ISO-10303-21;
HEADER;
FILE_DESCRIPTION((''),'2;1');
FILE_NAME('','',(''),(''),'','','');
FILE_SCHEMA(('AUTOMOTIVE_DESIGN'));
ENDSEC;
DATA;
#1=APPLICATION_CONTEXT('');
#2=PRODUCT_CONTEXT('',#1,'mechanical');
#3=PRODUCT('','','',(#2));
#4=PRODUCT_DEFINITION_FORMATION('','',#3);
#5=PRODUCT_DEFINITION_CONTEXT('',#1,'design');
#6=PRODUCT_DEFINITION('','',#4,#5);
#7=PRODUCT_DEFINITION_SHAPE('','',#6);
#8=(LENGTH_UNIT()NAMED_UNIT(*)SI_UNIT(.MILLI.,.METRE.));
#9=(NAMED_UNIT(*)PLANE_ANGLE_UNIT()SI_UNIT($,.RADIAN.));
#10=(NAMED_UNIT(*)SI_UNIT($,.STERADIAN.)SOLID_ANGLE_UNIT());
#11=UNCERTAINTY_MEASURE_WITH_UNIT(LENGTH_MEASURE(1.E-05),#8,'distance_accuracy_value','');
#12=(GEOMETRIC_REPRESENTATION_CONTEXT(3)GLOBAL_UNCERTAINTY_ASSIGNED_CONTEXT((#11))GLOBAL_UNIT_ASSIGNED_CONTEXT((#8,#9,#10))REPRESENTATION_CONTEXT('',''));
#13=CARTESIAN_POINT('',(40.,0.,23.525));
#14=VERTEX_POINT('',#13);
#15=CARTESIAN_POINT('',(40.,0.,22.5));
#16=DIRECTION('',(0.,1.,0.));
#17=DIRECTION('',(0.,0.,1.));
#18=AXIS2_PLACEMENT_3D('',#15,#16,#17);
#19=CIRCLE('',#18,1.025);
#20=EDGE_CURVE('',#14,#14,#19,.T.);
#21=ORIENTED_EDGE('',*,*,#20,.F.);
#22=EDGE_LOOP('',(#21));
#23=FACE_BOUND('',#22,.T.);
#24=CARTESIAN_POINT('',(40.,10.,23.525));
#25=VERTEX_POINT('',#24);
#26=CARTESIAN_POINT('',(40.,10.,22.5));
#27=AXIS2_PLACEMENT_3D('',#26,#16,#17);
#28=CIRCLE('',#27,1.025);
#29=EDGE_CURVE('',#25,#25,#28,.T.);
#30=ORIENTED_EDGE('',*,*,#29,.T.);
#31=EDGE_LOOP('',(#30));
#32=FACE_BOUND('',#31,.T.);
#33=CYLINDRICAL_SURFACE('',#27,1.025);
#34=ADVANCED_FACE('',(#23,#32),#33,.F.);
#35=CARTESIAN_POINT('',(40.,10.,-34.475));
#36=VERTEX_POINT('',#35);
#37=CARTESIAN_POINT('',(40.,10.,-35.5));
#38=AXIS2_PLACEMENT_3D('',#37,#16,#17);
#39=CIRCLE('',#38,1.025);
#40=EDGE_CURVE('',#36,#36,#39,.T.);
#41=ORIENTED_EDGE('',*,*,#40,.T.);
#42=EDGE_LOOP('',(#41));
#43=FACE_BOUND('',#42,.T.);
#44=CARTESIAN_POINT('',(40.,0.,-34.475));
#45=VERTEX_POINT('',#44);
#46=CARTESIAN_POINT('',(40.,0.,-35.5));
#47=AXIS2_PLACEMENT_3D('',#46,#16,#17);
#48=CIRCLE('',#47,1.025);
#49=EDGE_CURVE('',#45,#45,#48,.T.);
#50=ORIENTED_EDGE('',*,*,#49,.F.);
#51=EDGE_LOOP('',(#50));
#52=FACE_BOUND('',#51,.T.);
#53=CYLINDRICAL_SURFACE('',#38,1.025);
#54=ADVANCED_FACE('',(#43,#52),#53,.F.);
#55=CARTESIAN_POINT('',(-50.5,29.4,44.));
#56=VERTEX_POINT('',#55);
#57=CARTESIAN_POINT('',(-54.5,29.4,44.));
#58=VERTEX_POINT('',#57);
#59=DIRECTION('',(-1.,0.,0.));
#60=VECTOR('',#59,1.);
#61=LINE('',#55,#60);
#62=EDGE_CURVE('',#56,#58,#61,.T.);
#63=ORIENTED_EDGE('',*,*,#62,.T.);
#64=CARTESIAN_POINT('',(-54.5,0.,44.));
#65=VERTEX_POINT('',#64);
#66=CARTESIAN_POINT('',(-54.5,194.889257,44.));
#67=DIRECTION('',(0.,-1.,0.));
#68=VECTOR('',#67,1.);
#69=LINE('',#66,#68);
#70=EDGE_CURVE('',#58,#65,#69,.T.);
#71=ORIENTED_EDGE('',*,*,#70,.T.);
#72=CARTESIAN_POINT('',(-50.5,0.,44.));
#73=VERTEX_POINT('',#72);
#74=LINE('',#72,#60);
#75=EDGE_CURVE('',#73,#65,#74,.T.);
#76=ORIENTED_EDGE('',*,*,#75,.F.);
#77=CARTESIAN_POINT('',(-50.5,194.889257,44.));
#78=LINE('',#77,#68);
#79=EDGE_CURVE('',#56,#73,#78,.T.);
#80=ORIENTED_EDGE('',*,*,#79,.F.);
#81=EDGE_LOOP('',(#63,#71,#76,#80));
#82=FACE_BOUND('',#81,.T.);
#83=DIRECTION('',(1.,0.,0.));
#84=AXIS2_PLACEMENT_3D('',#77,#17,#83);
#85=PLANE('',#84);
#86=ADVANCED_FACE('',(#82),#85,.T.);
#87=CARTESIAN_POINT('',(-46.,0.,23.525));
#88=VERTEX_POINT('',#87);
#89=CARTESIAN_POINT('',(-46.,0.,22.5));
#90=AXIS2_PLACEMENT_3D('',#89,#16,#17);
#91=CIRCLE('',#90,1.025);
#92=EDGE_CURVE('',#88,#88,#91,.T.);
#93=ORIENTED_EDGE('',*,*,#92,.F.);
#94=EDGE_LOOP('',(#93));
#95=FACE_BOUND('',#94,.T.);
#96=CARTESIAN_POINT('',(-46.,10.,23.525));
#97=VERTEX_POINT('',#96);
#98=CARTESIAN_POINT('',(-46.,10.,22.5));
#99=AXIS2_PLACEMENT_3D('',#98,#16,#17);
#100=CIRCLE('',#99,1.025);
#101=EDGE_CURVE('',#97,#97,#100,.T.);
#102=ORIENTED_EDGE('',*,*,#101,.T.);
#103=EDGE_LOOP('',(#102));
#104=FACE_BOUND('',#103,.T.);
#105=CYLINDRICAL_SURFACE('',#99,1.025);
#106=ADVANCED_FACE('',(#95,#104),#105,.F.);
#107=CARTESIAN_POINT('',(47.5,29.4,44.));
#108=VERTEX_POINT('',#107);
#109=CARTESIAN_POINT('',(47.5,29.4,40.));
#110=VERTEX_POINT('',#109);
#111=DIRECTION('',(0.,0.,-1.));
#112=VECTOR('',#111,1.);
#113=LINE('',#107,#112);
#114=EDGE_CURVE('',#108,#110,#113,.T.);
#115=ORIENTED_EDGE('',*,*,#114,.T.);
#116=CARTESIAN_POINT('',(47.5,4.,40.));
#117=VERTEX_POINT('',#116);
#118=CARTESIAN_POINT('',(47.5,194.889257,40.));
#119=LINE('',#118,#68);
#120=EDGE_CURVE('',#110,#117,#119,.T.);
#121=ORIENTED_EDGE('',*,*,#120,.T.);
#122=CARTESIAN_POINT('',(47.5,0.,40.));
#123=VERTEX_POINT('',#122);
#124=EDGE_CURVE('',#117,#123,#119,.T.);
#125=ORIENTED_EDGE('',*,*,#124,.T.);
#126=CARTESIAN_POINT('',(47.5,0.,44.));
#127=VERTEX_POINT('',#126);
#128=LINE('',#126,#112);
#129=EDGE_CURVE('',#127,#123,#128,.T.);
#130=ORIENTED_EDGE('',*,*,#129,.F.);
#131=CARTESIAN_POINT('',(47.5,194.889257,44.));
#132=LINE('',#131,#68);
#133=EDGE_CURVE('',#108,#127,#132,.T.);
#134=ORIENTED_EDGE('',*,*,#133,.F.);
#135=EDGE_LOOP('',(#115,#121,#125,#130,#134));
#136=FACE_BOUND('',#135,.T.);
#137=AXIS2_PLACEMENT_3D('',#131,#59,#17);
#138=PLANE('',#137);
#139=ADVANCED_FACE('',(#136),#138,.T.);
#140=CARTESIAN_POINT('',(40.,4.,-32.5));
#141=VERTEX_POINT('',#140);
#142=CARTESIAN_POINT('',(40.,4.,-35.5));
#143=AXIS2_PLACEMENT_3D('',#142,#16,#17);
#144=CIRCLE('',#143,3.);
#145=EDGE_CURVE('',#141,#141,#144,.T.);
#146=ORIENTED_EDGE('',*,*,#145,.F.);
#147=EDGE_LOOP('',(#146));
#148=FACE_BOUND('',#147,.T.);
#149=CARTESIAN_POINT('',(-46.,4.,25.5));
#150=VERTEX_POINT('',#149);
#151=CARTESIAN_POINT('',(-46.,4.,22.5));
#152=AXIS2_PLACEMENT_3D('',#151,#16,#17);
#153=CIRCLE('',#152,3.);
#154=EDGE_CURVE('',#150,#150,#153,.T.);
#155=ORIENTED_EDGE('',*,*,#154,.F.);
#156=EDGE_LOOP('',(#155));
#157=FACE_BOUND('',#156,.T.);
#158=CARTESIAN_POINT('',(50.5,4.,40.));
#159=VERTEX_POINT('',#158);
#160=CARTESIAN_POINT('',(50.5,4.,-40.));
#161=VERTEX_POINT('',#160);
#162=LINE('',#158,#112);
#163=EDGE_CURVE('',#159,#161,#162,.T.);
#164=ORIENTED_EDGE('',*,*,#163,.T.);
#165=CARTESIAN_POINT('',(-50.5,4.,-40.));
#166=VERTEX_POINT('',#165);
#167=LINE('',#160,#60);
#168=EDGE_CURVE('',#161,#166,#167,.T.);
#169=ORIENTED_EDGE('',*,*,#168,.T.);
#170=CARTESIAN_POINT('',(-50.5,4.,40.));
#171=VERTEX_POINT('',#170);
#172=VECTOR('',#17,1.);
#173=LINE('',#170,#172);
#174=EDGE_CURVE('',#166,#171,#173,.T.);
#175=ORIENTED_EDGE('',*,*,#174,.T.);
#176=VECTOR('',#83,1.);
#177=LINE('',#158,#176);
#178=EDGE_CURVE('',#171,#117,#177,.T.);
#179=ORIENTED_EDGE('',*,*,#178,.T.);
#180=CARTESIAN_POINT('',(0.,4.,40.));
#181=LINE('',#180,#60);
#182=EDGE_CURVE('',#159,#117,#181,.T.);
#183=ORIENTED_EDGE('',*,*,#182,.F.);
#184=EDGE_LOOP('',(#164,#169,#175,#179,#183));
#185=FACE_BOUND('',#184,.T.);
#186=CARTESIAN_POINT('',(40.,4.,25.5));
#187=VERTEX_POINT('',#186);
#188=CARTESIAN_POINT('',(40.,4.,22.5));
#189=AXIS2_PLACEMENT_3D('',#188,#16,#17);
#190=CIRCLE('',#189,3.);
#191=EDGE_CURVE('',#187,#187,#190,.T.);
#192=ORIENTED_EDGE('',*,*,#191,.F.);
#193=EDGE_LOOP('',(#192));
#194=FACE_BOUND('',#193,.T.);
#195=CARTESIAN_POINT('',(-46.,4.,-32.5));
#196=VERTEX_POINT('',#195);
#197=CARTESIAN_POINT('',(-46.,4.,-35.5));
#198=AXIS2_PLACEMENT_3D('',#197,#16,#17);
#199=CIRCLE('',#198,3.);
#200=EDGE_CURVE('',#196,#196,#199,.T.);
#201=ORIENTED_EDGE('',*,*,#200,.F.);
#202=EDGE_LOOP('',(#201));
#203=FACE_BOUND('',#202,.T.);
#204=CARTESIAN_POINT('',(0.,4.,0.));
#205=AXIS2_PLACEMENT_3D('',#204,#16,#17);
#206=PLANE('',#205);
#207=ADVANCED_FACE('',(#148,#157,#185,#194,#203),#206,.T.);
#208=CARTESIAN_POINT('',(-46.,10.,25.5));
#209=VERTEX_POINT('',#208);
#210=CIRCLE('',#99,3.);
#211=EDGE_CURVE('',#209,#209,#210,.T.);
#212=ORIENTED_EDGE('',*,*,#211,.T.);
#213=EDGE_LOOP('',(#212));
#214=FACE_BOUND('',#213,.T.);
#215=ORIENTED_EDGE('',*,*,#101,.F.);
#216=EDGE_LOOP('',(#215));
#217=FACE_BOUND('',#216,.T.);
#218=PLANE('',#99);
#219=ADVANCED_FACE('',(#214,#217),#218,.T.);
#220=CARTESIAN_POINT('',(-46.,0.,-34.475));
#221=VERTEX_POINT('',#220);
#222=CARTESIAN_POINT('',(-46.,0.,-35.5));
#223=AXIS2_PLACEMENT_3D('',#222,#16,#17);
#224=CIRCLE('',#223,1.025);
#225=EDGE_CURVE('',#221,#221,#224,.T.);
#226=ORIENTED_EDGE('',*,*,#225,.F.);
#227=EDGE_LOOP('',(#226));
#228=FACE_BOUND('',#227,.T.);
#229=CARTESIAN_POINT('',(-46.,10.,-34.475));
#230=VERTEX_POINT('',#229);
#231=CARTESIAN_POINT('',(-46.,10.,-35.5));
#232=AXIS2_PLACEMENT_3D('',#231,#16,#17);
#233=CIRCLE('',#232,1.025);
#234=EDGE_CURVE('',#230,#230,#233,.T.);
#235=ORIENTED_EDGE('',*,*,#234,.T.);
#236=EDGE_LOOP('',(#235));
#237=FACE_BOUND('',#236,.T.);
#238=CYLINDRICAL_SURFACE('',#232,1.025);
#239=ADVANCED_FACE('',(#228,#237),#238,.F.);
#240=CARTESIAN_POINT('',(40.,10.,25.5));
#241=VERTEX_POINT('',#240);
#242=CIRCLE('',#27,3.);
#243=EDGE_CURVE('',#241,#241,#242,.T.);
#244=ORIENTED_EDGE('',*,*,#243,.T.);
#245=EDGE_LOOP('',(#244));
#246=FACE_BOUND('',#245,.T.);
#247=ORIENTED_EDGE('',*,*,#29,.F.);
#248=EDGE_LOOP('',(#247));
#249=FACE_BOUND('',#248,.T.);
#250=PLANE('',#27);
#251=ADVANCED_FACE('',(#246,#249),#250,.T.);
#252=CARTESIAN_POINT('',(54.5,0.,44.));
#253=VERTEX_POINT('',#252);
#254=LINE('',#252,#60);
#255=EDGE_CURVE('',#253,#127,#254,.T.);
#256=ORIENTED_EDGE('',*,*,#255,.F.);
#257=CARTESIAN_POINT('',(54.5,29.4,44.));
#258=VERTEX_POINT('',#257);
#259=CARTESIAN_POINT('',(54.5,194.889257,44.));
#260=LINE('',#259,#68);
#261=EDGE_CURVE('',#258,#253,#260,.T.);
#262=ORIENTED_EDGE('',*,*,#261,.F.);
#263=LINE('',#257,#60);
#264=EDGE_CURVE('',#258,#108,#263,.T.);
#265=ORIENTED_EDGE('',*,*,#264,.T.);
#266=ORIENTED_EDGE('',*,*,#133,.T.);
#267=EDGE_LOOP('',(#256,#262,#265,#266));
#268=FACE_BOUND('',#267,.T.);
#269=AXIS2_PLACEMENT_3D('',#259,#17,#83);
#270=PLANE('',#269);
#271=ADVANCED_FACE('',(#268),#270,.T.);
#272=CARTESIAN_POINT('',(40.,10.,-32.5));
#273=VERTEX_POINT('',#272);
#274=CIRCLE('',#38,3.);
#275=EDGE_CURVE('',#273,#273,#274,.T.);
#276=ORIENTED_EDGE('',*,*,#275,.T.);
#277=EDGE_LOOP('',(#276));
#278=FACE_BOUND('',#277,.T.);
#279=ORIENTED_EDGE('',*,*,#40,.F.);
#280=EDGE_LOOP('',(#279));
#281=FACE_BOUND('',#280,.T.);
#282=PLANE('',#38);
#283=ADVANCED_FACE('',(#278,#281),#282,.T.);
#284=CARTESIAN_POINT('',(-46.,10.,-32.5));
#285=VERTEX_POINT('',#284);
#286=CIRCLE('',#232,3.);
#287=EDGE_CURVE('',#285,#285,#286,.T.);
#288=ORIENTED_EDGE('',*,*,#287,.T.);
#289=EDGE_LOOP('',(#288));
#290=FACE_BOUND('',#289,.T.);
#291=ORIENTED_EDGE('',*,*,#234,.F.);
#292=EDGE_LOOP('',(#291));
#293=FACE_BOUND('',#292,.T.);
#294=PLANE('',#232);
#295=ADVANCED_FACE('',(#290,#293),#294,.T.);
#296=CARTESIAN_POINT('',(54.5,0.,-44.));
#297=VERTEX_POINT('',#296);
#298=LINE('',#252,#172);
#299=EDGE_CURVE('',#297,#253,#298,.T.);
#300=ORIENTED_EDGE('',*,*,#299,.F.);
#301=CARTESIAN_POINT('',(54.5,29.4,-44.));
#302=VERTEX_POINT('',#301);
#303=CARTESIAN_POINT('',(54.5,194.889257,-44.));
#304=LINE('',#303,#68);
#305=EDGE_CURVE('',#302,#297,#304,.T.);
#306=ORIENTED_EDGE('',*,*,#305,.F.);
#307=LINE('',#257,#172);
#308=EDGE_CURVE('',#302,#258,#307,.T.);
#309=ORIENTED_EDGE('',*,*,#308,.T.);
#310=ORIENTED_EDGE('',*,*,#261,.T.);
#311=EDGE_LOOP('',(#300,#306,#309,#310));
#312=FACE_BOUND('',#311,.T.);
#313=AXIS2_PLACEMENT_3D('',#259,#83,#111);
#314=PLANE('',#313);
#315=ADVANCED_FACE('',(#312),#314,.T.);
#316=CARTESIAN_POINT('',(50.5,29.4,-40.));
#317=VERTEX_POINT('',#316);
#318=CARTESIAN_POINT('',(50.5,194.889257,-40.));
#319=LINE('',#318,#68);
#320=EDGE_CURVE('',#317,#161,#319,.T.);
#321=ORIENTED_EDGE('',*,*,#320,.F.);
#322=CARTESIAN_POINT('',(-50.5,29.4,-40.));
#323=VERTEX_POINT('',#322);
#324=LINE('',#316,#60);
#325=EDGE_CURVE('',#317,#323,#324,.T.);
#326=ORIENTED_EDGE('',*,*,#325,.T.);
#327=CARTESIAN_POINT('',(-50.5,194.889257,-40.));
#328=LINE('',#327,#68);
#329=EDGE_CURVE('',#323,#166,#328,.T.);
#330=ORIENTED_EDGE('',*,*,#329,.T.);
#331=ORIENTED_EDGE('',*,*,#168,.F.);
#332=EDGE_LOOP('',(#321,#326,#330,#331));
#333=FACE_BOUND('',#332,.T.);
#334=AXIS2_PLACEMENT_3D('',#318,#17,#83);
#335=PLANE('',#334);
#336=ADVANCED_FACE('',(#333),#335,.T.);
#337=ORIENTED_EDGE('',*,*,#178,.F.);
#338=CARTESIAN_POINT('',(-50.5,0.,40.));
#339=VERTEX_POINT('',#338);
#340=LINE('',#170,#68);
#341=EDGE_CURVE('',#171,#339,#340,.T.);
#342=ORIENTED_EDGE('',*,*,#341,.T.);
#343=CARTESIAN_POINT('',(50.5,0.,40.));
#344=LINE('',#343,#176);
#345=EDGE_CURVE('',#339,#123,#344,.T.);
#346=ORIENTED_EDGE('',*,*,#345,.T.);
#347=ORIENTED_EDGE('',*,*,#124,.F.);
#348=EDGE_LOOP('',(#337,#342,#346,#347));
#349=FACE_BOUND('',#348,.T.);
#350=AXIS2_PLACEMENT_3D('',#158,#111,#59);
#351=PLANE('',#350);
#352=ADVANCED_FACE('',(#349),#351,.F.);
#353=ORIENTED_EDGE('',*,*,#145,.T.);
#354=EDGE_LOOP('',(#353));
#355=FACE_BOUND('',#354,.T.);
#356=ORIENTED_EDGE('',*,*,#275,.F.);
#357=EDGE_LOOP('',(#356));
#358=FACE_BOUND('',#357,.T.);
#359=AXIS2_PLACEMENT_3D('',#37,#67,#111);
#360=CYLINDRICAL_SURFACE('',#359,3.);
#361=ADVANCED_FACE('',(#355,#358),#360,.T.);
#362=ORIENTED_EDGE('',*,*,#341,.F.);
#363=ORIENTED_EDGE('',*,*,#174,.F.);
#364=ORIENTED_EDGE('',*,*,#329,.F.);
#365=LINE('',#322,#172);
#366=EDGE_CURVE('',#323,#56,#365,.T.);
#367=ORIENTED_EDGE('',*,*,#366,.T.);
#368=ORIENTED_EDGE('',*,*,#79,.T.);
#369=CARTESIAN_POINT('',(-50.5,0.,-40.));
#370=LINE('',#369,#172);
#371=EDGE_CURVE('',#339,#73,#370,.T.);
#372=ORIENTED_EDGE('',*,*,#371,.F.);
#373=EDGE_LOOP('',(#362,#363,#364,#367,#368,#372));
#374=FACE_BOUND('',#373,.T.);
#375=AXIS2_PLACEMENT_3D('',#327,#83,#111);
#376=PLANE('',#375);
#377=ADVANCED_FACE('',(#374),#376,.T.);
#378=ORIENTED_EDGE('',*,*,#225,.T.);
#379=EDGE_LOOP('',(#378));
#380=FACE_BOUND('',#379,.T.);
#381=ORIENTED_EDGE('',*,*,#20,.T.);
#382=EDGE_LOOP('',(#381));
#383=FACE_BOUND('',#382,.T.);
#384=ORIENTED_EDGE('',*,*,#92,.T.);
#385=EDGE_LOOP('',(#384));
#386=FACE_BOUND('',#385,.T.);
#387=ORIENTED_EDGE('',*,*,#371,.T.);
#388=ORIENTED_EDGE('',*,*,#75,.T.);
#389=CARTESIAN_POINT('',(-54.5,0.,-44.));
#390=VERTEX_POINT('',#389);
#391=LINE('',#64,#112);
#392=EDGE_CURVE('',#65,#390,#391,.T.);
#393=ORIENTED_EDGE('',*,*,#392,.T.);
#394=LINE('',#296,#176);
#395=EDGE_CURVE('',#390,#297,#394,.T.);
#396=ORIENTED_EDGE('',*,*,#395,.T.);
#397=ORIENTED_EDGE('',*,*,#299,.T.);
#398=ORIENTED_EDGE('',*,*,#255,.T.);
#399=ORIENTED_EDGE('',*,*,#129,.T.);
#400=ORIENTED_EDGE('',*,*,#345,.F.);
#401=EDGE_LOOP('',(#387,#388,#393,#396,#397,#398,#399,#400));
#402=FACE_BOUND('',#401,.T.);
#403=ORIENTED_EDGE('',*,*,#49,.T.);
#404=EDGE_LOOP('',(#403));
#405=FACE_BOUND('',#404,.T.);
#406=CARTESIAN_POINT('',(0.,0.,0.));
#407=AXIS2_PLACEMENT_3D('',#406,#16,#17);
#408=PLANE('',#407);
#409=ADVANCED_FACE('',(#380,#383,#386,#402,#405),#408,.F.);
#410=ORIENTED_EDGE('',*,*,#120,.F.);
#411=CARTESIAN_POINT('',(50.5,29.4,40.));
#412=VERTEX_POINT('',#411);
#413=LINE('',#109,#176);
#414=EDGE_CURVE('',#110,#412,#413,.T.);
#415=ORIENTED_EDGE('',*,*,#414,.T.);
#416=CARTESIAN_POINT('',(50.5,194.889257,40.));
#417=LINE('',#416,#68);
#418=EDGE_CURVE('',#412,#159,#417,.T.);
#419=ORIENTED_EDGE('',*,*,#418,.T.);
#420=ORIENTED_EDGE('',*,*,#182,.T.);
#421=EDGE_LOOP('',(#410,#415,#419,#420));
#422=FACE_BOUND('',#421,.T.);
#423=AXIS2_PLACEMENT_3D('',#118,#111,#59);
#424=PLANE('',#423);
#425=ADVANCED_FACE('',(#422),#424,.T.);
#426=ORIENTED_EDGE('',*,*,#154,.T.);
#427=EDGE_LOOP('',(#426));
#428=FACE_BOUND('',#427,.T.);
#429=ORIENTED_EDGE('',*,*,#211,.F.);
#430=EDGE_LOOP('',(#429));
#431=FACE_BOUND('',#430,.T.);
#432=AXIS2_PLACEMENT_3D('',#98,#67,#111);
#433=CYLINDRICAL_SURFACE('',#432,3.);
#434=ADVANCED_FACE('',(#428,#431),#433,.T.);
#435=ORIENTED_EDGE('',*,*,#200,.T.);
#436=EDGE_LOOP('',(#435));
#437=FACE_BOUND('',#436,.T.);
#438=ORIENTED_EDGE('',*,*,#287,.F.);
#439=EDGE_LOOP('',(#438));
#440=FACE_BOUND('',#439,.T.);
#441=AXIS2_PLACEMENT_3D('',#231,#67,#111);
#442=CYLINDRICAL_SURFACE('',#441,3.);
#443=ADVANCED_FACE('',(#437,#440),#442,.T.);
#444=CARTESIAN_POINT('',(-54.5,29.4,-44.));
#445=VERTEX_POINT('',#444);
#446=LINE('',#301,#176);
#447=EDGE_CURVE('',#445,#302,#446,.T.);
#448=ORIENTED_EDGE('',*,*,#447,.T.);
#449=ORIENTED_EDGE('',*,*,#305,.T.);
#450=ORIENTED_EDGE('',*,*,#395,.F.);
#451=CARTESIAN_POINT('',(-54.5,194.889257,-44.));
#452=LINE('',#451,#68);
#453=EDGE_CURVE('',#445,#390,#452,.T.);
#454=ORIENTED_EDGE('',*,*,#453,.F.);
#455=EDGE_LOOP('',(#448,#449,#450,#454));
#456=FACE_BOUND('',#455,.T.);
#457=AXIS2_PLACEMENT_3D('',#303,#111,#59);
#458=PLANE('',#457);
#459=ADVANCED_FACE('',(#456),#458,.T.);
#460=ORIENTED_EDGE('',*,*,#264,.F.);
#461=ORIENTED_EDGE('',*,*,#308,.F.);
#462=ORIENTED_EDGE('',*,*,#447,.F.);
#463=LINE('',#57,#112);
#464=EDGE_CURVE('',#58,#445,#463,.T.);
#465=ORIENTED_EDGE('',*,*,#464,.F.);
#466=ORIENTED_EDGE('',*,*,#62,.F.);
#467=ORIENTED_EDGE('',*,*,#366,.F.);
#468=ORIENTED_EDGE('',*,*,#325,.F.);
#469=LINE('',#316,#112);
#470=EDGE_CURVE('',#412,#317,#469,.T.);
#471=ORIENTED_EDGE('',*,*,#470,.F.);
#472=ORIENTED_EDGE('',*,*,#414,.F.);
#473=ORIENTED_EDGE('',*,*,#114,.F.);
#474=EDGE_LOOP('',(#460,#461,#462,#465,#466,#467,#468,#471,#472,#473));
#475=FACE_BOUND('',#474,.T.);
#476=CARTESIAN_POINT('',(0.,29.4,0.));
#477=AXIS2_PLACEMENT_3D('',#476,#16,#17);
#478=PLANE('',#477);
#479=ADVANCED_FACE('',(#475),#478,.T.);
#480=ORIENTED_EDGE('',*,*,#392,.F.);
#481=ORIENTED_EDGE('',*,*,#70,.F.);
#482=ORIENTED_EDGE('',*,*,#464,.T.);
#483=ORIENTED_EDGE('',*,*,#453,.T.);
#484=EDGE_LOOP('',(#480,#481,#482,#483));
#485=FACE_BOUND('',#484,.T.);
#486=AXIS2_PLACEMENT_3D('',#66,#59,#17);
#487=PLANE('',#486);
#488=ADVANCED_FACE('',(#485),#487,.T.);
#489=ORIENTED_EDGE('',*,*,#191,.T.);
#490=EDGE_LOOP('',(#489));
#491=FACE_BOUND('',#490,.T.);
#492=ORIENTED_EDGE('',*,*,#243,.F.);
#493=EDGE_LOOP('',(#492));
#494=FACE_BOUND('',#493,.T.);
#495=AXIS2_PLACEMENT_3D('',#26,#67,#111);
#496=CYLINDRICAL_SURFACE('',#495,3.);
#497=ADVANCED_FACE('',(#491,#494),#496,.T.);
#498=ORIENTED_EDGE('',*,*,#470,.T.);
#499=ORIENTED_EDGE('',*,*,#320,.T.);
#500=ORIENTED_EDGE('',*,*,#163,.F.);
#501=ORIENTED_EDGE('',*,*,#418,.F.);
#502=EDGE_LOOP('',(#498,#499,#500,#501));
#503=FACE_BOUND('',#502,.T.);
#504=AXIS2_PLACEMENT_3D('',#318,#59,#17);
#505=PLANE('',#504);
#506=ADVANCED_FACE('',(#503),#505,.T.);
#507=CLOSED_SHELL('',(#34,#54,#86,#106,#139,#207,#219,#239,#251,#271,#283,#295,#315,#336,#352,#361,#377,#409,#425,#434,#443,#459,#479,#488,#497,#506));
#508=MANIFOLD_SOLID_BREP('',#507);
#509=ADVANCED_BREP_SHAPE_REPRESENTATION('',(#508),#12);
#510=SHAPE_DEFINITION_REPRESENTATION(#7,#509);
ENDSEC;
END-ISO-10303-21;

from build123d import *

# Parameters (mm, degrees)
SKETCH2_W                = 101
SKETCH2_H                = 80
BOSS_EXTRUDE1_DEPTH      = 4
BOSS_EXTRUDE2_DEPTH      = 29.4
SKETCH9_R                = 3
BOSS_EXTRUDE3_DEPTH      = 6
M2_5X0_45_TAPPED_HOLE1_D = 2.05


with BuildPart() as part:
    # Sketch2 → Boss-Extrude1 (new body)
    with BuildSketch(Plane(origin=(0, 0, 0), x_dir=(1, 0, 0), z_dir=(0, 1, 0))):
        Rectangle(SKETCH2_W, SKETCH2_H)
    extrude(amount=BOSS_EXTRUDE1_DEPTH)

    # Sketch3 → Boss-Extrude2 (add)
    with BuildSketch(Plane.XZ):
        Polygon((50.5, -40), (-50.5, -40), (-50.5, 40), (-50.5, 44), (-54.5, 44), (-54.5, -44), (54.5, -44), (54.5, 44), (47.5, 44), (47.5, 40), (50.5, 40), align=None)
    extrude(amount=-BOSS_EXTRUDE2_DEPTH)

    # Sketch9 → Boss-Extrude3 (add)
    with BuildSketch(Plane(origin=(0, 4, 0), x_dir=(1, 0, 0), z_dir=(0, 1, 0))):
        with Locations(Location((-46, -22.5, 0), (0, 0, 270))):
            Circle(SKETCH9_R)
        with Locations(Location((-46, 35.5, 0), (0, 0, 270))):
            Circle(SKETCH9_R)
        with Locations(Location((40, 35.5, 0), (0, 0, 270))):
            Circle(SKETCH9_R)
        with Locations(Location((40, -22.5, 0), (0, 0, 270))):
            Circle(SKETCH9_R)
    extrude(amount=BOSS_EXTRUDE3_DEPTH)

    # M2.5x0.45 Tapped Hole1 (through all)
    with Locations(Plane(origin=(0, 10, 0), x_dir=(1, 0, 0), z_dir=(0, 1, 0))):
        with Locations((-46, -22.5), (-46, 35.5), (40, 35.5), (40, -22.5)):
            Hole(M2_5X0_45_TAPPED_HOLE1_D / 2)


solid = part.part
